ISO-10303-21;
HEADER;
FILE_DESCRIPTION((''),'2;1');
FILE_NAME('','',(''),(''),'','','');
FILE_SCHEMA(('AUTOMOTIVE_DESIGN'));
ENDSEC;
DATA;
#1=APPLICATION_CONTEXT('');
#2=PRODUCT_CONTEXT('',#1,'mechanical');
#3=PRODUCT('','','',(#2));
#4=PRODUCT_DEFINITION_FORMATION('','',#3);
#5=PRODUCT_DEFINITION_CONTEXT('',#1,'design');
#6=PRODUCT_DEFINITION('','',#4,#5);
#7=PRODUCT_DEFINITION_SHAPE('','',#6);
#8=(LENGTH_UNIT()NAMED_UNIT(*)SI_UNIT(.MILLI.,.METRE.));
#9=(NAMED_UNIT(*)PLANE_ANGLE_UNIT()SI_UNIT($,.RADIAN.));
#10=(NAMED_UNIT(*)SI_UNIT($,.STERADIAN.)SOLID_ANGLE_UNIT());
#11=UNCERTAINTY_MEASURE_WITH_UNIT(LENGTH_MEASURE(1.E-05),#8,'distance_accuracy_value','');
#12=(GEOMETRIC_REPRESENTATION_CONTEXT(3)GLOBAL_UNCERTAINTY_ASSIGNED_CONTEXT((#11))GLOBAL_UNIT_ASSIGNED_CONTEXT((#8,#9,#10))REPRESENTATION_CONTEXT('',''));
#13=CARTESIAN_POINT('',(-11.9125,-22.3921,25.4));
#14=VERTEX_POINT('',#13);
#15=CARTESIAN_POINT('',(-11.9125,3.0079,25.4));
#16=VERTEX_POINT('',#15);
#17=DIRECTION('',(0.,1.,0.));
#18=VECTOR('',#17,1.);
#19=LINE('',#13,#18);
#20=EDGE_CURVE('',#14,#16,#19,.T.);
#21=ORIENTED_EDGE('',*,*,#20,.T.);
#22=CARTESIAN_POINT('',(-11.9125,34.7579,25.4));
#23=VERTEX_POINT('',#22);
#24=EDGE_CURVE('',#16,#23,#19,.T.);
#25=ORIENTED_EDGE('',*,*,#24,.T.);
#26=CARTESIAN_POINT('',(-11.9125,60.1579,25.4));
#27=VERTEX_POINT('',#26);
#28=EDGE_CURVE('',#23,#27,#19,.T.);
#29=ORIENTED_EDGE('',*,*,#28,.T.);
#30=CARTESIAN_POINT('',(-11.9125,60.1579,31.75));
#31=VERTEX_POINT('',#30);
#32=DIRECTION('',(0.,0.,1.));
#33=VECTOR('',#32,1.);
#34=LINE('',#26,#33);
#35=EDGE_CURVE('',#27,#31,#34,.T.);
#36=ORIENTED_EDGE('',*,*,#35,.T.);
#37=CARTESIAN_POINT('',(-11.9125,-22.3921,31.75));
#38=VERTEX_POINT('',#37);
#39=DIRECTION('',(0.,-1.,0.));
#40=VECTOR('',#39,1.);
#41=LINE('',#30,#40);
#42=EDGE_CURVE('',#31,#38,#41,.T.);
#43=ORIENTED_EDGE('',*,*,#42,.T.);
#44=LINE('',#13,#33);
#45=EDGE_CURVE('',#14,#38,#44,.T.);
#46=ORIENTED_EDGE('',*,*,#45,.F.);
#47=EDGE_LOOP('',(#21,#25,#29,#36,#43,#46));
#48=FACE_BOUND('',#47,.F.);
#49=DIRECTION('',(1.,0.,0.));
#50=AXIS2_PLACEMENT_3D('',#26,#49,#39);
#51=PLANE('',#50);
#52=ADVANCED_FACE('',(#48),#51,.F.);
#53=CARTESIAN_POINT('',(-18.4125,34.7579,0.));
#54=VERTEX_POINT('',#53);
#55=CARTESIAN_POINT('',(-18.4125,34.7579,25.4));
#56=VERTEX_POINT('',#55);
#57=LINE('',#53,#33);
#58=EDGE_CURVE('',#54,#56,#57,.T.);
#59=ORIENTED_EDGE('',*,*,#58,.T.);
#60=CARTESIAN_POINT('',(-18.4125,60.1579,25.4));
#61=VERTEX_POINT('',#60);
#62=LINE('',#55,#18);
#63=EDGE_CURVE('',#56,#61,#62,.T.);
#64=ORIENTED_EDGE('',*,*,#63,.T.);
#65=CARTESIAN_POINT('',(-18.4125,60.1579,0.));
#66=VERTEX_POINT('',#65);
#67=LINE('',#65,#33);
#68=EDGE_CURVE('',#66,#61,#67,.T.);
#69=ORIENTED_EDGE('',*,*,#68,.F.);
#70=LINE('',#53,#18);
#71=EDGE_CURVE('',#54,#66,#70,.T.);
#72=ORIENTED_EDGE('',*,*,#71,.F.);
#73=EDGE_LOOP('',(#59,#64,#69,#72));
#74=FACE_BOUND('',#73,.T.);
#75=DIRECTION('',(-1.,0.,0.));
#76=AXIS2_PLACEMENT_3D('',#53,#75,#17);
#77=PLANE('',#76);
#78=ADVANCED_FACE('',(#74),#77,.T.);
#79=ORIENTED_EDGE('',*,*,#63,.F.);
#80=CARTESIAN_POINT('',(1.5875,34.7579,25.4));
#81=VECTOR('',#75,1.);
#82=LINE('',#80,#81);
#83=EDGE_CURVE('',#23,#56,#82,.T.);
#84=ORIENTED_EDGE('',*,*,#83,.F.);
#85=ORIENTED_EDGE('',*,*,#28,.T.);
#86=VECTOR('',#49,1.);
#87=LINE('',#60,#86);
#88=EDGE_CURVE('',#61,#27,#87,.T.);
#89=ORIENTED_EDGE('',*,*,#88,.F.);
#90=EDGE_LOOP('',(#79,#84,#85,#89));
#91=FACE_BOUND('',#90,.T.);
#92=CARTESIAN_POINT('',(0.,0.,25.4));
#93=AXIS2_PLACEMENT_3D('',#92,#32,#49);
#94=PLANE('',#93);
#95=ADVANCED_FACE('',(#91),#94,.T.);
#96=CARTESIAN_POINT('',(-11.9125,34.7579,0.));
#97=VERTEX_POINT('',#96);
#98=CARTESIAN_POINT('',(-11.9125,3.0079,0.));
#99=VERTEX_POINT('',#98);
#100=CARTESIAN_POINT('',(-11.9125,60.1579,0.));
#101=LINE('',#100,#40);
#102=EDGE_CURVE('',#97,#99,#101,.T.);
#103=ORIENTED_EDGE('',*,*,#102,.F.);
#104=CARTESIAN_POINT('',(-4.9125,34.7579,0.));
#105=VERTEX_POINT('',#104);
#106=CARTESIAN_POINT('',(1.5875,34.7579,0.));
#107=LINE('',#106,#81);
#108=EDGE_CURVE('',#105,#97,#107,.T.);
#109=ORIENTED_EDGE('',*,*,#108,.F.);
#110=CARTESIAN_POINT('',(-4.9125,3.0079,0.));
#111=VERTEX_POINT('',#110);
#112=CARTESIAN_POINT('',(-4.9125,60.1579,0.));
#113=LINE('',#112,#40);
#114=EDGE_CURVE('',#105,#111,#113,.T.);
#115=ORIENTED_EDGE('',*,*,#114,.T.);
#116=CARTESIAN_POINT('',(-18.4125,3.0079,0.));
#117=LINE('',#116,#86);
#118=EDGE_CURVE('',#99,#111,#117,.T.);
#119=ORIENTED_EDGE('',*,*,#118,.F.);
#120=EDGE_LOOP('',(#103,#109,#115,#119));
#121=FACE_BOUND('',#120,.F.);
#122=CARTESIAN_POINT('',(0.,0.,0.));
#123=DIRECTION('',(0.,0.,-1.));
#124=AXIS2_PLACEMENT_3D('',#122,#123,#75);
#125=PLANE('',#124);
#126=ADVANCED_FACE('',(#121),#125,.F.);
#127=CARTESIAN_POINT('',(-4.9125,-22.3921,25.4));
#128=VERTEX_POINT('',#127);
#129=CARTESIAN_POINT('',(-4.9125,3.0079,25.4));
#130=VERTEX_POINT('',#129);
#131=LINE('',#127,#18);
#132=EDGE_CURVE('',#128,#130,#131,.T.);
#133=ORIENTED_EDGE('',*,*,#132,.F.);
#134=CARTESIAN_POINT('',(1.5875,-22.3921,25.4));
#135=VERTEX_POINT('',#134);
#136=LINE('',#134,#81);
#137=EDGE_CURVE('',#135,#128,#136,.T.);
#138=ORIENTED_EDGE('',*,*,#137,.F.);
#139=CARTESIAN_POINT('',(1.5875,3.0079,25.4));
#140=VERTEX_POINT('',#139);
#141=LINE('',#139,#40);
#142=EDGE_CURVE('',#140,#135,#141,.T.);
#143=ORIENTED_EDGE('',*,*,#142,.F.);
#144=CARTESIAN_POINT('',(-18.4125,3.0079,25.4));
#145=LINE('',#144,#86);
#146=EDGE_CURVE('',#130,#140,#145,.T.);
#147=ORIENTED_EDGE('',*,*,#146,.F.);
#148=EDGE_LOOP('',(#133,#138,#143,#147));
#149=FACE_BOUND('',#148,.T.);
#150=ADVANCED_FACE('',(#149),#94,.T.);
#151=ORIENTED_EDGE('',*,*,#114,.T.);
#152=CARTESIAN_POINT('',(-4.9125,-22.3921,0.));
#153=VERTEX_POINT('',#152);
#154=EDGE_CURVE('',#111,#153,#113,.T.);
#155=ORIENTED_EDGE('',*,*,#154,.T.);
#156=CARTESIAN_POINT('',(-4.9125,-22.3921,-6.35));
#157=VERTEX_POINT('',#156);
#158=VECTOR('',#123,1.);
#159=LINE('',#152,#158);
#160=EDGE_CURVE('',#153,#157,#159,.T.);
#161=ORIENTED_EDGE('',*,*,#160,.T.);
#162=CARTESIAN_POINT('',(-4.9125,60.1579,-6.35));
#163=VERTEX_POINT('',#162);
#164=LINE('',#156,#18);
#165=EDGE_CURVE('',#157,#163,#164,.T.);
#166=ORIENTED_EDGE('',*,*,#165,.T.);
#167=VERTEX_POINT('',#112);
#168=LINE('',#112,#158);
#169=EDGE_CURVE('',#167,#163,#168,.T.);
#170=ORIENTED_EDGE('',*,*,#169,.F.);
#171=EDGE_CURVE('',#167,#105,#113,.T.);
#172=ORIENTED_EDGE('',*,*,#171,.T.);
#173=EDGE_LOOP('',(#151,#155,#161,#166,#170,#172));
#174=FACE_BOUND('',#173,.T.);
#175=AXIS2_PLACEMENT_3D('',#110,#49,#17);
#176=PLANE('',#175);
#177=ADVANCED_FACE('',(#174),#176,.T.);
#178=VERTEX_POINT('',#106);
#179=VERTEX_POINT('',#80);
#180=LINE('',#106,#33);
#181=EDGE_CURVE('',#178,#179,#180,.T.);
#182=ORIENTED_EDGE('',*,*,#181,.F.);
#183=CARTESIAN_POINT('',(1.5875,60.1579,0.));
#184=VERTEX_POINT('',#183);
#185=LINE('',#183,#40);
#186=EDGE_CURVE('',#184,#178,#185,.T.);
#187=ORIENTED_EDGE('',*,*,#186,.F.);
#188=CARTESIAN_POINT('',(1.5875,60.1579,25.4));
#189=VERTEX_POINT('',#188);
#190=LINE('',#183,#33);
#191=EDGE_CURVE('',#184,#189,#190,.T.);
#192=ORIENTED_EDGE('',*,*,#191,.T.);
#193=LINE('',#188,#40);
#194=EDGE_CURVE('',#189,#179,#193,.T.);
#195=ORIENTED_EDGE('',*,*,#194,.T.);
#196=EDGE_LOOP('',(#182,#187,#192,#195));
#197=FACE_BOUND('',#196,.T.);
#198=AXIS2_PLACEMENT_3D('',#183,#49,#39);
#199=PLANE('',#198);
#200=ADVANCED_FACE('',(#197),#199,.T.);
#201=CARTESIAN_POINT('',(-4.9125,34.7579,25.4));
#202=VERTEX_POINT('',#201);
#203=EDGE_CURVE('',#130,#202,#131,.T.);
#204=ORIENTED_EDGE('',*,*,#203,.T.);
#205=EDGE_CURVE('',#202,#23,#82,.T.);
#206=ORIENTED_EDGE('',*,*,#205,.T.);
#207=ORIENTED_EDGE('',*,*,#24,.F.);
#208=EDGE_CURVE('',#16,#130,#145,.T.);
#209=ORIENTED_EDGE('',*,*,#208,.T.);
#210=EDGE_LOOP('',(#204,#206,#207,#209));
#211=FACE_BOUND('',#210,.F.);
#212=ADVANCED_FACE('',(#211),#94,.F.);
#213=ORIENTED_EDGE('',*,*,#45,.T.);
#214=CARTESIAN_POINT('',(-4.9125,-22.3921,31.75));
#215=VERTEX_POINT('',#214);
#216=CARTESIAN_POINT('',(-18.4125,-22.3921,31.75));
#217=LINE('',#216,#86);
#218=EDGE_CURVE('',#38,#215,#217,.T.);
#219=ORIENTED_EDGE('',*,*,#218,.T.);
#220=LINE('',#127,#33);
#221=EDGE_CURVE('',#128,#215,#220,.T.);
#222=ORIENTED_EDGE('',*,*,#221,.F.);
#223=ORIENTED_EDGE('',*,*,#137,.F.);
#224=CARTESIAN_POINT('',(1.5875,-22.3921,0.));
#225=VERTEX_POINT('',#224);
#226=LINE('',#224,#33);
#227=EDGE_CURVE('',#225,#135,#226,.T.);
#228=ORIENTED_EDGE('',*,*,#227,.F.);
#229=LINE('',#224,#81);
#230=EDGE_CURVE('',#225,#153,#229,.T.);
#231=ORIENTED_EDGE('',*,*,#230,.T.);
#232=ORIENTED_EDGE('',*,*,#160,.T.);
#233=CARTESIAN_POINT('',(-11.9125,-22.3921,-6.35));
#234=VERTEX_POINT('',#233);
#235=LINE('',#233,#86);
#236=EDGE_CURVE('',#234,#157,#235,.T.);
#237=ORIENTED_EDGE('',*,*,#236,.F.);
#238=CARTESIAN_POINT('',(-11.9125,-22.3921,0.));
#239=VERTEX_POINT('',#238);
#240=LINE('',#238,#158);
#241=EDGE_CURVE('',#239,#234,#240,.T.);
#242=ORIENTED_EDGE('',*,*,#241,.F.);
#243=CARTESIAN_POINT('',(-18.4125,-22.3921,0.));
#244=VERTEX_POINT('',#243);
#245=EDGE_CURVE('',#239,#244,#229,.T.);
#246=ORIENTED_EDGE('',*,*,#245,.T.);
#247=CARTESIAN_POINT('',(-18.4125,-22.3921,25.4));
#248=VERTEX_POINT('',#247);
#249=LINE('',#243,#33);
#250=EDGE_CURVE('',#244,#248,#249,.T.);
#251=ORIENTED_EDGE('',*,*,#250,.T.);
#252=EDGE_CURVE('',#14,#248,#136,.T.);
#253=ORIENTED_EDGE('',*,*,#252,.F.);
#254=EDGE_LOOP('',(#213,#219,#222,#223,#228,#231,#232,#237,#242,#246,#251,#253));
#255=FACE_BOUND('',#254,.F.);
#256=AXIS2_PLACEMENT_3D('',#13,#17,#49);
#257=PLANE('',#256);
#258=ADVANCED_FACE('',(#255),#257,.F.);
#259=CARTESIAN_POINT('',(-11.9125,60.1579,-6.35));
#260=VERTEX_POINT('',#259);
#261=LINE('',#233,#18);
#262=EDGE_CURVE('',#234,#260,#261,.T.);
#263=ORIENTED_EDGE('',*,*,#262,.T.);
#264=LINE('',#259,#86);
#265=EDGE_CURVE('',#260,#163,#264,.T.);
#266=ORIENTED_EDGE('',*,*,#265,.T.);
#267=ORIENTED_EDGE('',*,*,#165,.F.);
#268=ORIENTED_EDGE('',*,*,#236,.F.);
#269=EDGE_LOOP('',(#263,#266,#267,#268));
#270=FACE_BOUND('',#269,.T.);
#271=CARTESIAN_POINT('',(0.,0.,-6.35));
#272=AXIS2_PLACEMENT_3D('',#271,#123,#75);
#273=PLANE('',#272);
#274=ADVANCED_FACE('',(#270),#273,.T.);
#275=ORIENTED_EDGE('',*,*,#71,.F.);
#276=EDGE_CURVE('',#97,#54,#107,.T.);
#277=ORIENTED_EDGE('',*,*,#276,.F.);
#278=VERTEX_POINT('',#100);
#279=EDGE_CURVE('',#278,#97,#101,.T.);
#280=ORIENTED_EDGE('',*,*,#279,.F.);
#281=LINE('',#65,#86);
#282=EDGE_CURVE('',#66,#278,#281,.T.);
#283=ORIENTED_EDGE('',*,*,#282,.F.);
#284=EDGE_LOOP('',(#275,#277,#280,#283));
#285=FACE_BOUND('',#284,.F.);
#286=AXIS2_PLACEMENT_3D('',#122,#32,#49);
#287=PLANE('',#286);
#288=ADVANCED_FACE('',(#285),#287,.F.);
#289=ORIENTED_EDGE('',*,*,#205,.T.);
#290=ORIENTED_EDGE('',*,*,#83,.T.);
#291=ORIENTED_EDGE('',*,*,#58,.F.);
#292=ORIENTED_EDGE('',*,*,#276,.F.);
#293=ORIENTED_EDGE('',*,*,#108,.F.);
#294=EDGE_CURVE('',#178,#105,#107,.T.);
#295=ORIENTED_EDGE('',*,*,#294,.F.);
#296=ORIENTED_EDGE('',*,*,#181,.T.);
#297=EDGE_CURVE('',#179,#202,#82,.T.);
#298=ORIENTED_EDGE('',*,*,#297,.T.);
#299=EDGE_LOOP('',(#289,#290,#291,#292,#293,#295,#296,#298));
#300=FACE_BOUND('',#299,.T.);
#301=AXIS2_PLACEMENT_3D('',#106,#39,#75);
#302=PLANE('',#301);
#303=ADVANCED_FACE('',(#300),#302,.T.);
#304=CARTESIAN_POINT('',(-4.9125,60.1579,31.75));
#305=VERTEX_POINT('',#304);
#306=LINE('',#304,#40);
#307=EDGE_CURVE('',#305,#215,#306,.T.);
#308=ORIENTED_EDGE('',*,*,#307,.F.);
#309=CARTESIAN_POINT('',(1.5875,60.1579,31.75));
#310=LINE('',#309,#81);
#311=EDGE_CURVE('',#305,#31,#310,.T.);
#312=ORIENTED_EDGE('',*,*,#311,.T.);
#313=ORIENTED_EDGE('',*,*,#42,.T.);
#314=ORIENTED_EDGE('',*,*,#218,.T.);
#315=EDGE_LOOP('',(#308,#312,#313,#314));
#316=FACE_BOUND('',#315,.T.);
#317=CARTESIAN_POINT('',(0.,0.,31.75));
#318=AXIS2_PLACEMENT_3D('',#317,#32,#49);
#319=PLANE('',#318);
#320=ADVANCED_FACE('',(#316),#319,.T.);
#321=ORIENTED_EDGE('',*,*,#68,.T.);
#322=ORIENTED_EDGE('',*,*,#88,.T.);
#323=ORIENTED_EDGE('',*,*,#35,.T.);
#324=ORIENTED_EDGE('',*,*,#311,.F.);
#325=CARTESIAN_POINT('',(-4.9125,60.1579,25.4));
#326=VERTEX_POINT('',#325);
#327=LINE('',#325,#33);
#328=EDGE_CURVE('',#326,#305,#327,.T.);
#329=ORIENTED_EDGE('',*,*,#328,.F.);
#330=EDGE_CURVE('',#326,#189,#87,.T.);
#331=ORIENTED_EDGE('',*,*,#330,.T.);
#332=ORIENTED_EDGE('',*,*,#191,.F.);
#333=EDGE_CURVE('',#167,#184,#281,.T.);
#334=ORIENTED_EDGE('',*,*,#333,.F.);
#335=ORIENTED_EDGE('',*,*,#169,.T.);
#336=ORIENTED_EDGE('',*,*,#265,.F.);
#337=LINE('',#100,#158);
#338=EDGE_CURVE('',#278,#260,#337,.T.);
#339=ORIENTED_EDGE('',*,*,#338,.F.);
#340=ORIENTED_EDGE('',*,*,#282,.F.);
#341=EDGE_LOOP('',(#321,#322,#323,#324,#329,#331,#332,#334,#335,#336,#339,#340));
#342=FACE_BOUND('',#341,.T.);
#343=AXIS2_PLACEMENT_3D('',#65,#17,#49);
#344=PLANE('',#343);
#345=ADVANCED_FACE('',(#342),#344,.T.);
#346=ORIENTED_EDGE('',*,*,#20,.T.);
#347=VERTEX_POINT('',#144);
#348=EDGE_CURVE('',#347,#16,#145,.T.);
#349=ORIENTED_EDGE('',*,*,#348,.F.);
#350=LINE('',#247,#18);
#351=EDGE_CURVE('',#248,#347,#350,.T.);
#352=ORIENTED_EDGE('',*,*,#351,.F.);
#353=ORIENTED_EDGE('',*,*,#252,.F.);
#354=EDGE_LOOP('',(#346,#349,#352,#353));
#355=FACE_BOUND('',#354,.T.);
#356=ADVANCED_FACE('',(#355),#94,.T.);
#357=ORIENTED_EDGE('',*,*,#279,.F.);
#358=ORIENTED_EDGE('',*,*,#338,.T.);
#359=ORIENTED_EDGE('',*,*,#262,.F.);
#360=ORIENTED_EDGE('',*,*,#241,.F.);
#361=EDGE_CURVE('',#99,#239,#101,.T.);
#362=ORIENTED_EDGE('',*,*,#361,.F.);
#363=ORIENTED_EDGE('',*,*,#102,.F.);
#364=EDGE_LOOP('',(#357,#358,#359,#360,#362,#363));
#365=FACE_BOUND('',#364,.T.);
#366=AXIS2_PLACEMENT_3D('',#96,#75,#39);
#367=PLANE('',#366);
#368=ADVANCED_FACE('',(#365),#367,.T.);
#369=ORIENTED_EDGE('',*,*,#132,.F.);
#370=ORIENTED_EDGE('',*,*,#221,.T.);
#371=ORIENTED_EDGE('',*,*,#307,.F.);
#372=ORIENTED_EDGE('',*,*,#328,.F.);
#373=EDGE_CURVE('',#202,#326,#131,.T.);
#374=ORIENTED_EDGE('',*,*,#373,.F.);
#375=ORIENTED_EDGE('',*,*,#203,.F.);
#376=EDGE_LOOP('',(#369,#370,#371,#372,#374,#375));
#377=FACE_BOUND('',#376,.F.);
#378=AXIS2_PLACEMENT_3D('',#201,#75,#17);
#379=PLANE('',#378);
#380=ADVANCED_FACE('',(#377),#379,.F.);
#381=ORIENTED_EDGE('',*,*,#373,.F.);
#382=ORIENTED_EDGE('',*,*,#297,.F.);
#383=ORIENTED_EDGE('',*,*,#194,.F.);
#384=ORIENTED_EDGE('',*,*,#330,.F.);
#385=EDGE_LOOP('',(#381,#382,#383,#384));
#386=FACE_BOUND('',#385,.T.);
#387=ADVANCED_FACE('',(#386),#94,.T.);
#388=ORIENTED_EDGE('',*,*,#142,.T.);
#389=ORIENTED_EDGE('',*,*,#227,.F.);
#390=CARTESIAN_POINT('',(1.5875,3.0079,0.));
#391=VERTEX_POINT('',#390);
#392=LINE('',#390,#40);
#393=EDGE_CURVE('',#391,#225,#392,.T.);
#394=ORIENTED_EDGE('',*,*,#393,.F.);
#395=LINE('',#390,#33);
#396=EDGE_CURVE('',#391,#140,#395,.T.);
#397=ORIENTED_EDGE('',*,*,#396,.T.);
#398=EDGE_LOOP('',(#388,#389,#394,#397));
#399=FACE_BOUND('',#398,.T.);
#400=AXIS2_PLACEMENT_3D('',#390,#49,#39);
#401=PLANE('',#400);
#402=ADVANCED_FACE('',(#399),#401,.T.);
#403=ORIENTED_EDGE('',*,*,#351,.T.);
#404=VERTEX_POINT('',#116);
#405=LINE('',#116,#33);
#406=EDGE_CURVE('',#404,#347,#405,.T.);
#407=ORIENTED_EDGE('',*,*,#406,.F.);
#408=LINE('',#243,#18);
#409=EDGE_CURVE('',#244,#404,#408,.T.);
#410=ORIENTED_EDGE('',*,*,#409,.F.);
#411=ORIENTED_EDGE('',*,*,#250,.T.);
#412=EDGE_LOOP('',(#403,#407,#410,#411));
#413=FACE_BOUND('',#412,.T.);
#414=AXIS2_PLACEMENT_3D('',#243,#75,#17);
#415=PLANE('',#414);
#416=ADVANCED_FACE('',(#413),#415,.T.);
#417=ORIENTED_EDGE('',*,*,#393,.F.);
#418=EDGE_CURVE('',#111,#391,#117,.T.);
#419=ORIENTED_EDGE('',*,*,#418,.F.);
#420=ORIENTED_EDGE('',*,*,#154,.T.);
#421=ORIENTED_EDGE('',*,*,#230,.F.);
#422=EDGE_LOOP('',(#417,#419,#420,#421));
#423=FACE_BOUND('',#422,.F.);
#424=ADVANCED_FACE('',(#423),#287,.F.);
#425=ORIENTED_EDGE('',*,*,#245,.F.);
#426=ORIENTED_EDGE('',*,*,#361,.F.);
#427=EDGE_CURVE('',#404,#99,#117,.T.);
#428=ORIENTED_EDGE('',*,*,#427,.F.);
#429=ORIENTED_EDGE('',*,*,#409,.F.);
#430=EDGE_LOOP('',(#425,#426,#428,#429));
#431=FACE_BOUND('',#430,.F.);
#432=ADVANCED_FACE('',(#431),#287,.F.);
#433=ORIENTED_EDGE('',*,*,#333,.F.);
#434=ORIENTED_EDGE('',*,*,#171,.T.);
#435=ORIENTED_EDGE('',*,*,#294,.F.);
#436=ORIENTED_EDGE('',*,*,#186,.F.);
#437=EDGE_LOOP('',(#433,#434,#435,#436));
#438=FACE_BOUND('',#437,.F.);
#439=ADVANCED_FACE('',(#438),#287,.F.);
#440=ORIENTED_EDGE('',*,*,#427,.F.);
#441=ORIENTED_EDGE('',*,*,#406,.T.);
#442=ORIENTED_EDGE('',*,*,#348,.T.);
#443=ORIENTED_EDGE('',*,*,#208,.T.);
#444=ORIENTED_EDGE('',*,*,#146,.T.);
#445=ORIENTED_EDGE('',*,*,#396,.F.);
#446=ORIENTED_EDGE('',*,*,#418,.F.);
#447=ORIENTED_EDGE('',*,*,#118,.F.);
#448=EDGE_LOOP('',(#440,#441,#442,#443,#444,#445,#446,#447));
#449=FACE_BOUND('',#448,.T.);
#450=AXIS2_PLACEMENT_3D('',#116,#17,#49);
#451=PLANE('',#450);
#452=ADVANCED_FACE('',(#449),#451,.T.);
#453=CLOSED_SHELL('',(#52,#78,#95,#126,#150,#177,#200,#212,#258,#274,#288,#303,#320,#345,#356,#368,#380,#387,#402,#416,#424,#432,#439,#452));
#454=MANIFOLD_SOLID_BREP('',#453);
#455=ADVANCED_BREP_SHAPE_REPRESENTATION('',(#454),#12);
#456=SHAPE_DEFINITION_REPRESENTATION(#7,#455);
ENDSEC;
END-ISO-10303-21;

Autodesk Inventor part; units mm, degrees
ref_plane "YZ Plane" through (0, 0, 0) normal (1, 0, 0) x (0, 1, 0)
ref_plane "XZ Plane" through (0, 0, 0) normal (0, 1, 0) x (-1, 0, 0)
ref_plane "XY Plane" through (0, 0, 0) normal (0, 0, 1) x (1, 0, 0)
sketch "Sketch1" plane through (0, 0, 0) normal (0, 0, 1) x (1, 0, 0)
  line L0 (-18.4125, 60.1579) -> (1.5875, 60.1579)
  line L1 (1.5875, 60.1579) -> (1.5875, 34.7579)
  line L2 (1.5875, 34.7579) -> (-18.4125, 34.7579)
  line L3 (-18.4125, 34.7579) -> (-18.4125, 60.1579)
  line L4 (-18.4125, 3.0079) -> (1.5875, 3.0079)
  line L5 (1.5875, 3.0079) -> (1.5875, -22.3921)
  line L6 (1.5875, -22.3921) -> (-18.4125, -22.3921)
  line L7 (-18.4125, -22.3921) -> (-18.4125, 3.0079)
  point P0 (0, 0)
  dimension "d0" = 25.4
  dimension "d1" = 25.4
  dimension "d2" = 20
  dimension "d5" = 31.75
extrude "Extrusion1" add sketch "Sketch1" along normal blind 25.4
sketch "Sketch2" plane through (0, 0, 25.4) normal (0, 0, 1) x (1, 0, 0)
  line L0 (1.5875, 60.1579) -> (-18.4125, 60.1579) projected
  line L1 (-18.4125, -22.3921) -> (1.5875, -22.3921) projected
  line L2 (1.5875, 60.1579) -> (-11.9125, 60.1579)
  line L3 (-11.9125, 60.1579) -> (-11.9125, -22.3921)
  line L4 (-11.9125, -22.3921) -> (-4.9125, -22.3921)
  line L5 (-4.9125, -22.3921) -> (-4.9125, 60.1579)
  line L6 (-18.4125, 34.7579) -> (1.5875, 34.7579) projected
  line L7 (1.5875, 34.7579) -> (1.5875, 60.1579) projected
  line L8 (1.5875, 60.1579) -> (-18.4125, 60.1579) projected
  line L9 (-18.4125, 60.1579) -> (-18.4125, 34.7579) projected
  line L10 (-18.4125, -22.3921) -> (1.5875, -22.3921) projected
  line L11 (1.5875, -22.3921) -> (1.5875, 3.0079) projected
  line L12 (1.5875, 3.0079) -> (-18.4125, 3.0079) projected
  line L13 (-18.4125, 3.0079) -> (-18.4125, -22.3921) projected
  point P0 (0, 0)
  point P1 (-11.9125, 34.7579)
  point P2 (-11.9125, 3.0079)
  point P3 (-9.9654, 60.1579)
  dimension "d14" = 20
  dimension "d15" = 7
  dimension "d16" = 6.5
extrude "Extrusion2" add sketch "Sketch2" along normal blind 6.35 contours L5 L6 L3 L0 | L5 L12 L3 L6 | L5 L1 L3 L12
sketch "Sketch3" plane through (0, 0, 0) normal (0, 0, -1) x (-1, 0, 0)
  line L0 (4.9125, 3.0079) -> (11.9125, 3.0079) projected
  line L1 (11.9125, 34.7579) -> (11.9125, 3.0079) projected
  line L2 (11.9125, 34.7579) -> (4.9125, 34.7579) projected
  line L3 (4.9125, 3.0079) -> (4.9125, 34.7579) projected
  line L4 (11.9125, 34.7579) -> (11.9125, 60.1579) projected
  line L5 (4.9125, 60.1579) -> (4.9125, 34.7579) projected
  line L6 (11.9125, -22.3921) -> (11.9125, 3.0079) projected
  line L7 (4.9125, 3.0079) -> (4.9125, -22.3921) projected
  line L8 (11.9125, 60.1579) -> (4.9125, 60.1579)
  line L9 (-1.5875, 60.1579) -> (18.4125, 60.1579) projected
  line L10 (11.9125, -22.3921) -> (4.9125, -22.3921)
  line L11 (18.4125, -22.3921) -> (-1.5875, -22.3921) projected
  point P0 (0, 0)
extrude "Extrusion3" add sketch "Sketch3" along normal blind 6.35
equation "\"d16\" = -0.5 * d15 + 0.5 * d14"
properties part number "spacer_4"
